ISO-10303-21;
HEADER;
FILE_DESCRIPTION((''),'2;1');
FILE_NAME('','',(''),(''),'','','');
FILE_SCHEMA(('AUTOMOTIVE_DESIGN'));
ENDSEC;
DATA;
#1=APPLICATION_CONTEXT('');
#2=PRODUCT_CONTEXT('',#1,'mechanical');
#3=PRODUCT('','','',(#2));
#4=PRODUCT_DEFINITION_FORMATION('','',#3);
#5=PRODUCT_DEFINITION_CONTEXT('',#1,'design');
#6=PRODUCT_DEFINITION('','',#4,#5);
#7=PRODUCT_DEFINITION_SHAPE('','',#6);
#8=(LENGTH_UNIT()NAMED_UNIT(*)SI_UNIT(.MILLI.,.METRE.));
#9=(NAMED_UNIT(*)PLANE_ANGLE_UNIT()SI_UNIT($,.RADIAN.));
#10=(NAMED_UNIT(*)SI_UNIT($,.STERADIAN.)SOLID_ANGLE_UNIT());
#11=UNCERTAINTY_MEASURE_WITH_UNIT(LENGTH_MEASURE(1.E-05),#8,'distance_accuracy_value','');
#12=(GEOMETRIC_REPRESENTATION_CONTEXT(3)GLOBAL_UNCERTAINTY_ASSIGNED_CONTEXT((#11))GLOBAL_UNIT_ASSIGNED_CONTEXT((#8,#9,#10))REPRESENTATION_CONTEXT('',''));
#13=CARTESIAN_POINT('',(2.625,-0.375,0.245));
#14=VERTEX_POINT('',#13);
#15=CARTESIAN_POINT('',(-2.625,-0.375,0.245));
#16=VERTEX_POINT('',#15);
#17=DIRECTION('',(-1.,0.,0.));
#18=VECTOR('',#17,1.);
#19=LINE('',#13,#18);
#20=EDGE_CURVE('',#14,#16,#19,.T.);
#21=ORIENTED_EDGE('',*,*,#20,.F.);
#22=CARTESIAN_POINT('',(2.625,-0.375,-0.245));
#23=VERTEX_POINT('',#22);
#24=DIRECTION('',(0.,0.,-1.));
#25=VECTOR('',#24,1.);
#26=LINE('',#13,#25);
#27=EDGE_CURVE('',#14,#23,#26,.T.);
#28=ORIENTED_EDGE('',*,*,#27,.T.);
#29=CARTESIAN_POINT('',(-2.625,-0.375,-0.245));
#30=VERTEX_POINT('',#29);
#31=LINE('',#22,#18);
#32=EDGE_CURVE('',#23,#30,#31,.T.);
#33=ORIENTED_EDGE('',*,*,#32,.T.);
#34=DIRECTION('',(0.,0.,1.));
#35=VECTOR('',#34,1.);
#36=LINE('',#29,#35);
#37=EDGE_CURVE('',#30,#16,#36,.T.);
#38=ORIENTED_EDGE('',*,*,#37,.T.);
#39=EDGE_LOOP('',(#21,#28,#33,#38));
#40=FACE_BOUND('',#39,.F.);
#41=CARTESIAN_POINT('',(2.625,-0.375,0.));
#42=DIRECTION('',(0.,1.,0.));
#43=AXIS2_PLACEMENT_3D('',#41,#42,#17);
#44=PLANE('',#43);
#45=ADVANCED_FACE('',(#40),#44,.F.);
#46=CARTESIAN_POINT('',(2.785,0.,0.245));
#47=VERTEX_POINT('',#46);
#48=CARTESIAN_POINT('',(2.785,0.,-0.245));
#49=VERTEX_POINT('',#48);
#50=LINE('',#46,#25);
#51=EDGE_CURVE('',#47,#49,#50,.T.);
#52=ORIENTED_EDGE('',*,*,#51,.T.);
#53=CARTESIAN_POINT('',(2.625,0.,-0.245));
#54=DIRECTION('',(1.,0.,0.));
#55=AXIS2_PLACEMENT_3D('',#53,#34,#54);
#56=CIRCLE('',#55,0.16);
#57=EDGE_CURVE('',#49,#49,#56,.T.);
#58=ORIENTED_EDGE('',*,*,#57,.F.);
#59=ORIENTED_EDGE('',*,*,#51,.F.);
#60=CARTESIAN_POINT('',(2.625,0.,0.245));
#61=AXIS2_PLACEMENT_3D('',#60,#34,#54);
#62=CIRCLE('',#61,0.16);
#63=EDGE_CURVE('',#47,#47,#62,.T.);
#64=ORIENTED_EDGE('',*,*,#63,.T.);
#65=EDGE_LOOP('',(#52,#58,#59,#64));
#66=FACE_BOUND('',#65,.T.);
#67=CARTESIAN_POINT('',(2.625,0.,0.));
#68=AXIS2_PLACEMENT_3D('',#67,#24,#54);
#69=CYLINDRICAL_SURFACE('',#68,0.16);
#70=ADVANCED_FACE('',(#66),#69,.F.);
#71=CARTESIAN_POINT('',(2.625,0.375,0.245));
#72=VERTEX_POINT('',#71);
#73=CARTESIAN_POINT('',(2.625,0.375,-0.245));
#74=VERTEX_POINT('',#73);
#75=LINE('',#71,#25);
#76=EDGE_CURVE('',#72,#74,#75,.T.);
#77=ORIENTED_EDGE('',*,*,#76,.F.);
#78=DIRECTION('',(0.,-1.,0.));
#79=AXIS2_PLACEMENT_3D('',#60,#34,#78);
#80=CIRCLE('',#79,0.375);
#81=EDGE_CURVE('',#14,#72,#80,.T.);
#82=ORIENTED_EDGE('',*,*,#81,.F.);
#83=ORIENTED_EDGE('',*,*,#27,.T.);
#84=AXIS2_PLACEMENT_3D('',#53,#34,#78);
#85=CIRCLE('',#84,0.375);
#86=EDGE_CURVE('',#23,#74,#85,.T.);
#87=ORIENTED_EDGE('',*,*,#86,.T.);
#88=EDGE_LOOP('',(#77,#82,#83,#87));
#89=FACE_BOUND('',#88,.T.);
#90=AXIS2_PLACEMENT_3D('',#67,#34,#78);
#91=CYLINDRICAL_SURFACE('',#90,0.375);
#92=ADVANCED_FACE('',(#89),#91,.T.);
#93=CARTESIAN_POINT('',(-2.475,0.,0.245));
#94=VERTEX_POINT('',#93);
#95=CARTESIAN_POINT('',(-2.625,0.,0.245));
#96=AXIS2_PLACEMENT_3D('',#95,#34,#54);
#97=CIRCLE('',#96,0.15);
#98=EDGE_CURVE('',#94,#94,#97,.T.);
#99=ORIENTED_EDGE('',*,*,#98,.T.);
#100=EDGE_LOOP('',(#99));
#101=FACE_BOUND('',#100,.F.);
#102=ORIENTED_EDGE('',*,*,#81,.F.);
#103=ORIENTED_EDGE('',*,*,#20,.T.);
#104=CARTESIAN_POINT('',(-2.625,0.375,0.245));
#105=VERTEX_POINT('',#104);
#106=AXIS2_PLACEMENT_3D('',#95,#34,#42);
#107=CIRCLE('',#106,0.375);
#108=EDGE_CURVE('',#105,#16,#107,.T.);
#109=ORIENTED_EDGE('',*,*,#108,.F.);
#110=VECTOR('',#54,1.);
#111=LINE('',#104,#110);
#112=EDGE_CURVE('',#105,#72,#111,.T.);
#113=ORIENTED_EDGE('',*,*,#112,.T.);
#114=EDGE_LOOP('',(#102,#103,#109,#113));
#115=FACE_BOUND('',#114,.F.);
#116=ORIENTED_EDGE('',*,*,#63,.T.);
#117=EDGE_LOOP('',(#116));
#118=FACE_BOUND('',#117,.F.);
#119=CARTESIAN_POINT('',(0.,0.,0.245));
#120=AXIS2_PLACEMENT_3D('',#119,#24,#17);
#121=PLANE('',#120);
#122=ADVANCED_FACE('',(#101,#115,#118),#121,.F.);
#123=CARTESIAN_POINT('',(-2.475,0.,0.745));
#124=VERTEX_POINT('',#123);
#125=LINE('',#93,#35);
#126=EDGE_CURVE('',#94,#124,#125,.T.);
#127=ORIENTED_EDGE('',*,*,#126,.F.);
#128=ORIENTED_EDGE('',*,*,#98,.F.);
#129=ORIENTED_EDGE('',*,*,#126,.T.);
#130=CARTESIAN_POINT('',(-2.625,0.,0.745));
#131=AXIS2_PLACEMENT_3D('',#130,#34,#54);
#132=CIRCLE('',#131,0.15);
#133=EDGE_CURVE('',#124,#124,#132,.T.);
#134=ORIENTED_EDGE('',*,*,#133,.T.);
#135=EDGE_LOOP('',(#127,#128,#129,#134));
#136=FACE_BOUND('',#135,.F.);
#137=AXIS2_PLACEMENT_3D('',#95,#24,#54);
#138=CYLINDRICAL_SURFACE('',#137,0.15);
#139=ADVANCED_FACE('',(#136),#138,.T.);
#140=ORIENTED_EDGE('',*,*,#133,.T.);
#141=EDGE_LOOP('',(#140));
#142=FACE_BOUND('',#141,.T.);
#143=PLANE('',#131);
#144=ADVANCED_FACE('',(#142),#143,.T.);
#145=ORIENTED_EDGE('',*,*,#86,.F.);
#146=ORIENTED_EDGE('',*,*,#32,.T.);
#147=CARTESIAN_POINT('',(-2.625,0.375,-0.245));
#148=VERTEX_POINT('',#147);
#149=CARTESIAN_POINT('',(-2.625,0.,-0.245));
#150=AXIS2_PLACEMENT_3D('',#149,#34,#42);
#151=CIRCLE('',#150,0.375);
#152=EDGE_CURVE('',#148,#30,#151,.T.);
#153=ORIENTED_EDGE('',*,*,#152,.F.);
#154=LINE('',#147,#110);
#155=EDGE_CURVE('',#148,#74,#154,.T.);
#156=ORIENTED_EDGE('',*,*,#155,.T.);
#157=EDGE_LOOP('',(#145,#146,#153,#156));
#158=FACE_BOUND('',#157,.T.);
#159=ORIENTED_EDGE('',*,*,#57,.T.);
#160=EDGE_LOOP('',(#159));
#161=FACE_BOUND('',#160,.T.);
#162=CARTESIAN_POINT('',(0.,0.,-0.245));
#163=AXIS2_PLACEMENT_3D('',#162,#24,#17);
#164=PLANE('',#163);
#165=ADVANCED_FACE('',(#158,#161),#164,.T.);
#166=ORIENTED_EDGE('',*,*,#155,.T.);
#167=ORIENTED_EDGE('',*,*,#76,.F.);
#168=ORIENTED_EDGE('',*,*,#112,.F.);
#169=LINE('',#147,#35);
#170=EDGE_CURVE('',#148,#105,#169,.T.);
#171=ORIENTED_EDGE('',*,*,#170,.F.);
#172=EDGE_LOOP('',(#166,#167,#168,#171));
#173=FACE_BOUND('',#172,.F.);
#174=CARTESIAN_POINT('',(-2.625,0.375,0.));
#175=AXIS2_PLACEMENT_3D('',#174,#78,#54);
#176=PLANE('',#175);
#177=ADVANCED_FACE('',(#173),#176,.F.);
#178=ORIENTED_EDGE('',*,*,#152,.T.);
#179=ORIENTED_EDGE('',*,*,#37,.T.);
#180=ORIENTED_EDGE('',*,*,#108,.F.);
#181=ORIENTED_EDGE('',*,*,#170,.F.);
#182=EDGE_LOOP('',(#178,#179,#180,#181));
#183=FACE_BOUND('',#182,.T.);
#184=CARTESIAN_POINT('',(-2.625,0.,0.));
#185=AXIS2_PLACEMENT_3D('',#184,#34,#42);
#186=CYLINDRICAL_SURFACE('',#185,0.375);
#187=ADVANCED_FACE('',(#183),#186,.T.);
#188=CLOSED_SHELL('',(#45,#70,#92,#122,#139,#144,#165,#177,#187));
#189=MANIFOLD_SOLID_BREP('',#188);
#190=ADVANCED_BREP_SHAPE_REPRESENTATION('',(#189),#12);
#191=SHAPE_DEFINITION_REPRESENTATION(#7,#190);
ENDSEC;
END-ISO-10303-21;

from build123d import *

# Parameters (mm, degrees)
SKETCH_R     = 0.16
PAD_DEPTH    = 0.245
SKETCH001_R  = 0.15
PAD001_DEPTH = 0.5


with BuildPart() as part:
    # Sketch → Pad (new body, symmetric)
    with BuildSketch(Plane.XY):
        with BuildLine():
            Line((-2.625, 0.375), (2.625, 0.375))
            ThreePointArc((2.625, -0.375), (3, 0), (2.625, 0.375))
            Line((2.625, -0.375), (-2.625, -0.375))
            ThreePointArc((-2.625, 0.375), (-3, 0), (-2.625, -0.375))
        make_face()
        with Locations((2.625, 0)):
            Circle(SKETCH_R, mode=Mode.SUBTRACT)
    extrude(amount=PAD_DEPTH, both=True)

    # Sketch001 (on DatumPlane) → Pad001 (join)
    with BuildSketch(Plane.XY.offset(0.245)):
        with Locations((-2.625, 0)):
            Circle(SKETCH001_R)
    extrude(amount=PAD001_DEPTH)


solid = part.part
